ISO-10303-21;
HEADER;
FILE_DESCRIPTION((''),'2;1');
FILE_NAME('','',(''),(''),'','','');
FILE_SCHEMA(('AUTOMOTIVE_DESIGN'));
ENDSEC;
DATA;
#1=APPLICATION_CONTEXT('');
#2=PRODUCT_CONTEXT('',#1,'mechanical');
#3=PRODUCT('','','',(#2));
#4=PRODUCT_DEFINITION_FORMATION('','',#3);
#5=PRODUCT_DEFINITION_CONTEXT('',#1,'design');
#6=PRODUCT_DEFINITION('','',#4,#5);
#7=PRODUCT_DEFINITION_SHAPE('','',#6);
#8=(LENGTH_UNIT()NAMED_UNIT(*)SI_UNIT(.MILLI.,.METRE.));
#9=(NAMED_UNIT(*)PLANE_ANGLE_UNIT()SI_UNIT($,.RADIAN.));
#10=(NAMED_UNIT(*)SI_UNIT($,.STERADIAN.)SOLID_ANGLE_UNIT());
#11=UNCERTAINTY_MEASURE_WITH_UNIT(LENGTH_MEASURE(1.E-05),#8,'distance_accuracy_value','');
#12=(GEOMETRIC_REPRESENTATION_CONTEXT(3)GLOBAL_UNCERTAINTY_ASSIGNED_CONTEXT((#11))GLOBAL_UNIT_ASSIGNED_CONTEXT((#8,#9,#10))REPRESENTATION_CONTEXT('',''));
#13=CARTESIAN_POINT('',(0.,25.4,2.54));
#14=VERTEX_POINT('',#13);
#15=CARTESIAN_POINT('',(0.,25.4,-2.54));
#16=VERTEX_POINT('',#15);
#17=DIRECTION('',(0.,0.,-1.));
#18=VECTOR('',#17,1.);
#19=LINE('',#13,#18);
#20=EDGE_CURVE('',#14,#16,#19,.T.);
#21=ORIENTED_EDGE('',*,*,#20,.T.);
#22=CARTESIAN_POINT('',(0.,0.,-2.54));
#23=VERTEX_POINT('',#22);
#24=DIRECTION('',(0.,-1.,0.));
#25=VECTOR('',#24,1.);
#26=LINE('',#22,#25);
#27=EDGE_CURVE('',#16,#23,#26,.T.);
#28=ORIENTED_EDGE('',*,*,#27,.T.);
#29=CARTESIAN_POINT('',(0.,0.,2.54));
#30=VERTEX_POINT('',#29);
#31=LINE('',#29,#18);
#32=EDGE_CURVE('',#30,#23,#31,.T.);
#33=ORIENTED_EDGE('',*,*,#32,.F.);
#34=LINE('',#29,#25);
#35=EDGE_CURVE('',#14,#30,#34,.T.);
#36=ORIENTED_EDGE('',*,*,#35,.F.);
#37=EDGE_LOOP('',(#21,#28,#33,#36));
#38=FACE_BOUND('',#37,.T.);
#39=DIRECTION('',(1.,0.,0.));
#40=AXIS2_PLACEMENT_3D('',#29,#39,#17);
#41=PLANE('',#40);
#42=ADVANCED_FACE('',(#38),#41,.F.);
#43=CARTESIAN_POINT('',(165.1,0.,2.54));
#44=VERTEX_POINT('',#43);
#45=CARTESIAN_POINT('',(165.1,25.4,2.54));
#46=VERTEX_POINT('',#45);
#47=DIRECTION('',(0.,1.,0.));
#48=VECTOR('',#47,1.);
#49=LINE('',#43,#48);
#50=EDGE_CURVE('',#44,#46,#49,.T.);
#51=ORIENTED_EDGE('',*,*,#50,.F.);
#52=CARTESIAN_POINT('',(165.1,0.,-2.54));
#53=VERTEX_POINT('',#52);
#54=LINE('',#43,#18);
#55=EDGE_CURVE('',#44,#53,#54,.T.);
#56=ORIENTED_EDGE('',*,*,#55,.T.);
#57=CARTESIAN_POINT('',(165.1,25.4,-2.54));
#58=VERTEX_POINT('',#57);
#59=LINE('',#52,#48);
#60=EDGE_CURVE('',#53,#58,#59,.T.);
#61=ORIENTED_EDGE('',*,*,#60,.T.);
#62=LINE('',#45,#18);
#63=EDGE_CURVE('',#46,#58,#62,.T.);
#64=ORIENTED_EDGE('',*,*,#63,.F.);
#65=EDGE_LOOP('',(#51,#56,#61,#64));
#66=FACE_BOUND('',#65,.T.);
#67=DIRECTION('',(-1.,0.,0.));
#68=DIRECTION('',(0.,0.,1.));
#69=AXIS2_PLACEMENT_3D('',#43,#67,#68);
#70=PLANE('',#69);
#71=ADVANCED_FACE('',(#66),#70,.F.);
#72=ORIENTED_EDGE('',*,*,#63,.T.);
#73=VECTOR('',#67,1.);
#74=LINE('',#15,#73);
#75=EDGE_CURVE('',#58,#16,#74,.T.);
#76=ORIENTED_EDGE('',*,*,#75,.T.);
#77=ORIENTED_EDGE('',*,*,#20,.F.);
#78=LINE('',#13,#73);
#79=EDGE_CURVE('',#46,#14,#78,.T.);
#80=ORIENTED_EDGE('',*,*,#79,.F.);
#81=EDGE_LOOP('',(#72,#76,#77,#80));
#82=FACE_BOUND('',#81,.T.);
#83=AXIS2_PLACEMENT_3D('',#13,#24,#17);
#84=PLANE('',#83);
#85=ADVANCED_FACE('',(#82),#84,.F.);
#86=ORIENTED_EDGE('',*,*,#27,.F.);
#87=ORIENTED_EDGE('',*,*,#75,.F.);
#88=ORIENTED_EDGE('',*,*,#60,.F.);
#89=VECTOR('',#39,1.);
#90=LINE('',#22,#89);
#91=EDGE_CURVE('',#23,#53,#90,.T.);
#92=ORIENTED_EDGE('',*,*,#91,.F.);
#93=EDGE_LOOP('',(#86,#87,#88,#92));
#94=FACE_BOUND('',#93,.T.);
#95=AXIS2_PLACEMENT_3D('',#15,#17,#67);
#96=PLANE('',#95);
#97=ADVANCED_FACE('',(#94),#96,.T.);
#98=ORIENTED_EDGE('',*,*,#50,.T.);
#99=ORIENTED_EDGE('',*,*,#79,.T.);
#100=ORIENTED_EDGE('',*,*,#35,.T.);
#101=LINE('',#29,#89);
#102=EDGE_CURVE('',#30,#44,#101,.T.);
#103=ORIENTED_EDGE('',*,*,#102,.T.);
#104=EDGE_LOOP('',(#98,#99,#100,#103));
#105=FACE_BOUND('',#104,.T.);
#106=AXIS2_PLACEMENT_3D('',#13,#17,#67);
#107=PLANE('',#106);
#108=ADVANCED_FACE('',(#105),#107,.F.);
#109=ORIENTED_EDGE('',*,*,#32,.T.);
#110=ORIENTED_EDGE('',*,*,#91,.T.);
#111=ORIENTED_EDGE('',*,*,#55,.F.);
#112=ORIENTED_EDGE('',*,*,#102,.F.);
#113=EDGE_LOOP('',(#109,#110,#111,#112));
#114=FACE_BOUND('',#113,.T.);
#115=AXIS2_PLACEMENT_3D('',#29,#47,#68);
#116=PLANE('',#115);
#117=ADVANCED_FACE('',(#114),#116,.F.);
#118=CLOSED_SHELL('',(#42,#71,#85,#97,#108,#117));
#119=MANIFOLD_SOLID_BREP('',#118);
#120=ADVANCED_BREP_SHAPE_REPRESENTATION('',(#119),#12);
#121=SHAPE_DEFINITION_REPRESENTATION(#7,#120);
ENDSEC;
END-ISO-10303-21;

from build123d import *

# Parameters (mm, degrees)
SKETCH1_W           = 165.1
SKETCH1_H           = 25.4
BOSS_EXTRUDE1_DEPTH = 2.54


with BuildPart() as part:
    # Sketch1 → Boss-Extrude1 (new, symmetric)
    with BuildSketch(Plane.XY):
        with Locations((82.55, 12.7)):
            Rectangle(SKETCH1_W, SKETCH1_H)
    extrude(amount=BOSS_EXTRUDE1_DEPTH, both=True)


solid = part.part
